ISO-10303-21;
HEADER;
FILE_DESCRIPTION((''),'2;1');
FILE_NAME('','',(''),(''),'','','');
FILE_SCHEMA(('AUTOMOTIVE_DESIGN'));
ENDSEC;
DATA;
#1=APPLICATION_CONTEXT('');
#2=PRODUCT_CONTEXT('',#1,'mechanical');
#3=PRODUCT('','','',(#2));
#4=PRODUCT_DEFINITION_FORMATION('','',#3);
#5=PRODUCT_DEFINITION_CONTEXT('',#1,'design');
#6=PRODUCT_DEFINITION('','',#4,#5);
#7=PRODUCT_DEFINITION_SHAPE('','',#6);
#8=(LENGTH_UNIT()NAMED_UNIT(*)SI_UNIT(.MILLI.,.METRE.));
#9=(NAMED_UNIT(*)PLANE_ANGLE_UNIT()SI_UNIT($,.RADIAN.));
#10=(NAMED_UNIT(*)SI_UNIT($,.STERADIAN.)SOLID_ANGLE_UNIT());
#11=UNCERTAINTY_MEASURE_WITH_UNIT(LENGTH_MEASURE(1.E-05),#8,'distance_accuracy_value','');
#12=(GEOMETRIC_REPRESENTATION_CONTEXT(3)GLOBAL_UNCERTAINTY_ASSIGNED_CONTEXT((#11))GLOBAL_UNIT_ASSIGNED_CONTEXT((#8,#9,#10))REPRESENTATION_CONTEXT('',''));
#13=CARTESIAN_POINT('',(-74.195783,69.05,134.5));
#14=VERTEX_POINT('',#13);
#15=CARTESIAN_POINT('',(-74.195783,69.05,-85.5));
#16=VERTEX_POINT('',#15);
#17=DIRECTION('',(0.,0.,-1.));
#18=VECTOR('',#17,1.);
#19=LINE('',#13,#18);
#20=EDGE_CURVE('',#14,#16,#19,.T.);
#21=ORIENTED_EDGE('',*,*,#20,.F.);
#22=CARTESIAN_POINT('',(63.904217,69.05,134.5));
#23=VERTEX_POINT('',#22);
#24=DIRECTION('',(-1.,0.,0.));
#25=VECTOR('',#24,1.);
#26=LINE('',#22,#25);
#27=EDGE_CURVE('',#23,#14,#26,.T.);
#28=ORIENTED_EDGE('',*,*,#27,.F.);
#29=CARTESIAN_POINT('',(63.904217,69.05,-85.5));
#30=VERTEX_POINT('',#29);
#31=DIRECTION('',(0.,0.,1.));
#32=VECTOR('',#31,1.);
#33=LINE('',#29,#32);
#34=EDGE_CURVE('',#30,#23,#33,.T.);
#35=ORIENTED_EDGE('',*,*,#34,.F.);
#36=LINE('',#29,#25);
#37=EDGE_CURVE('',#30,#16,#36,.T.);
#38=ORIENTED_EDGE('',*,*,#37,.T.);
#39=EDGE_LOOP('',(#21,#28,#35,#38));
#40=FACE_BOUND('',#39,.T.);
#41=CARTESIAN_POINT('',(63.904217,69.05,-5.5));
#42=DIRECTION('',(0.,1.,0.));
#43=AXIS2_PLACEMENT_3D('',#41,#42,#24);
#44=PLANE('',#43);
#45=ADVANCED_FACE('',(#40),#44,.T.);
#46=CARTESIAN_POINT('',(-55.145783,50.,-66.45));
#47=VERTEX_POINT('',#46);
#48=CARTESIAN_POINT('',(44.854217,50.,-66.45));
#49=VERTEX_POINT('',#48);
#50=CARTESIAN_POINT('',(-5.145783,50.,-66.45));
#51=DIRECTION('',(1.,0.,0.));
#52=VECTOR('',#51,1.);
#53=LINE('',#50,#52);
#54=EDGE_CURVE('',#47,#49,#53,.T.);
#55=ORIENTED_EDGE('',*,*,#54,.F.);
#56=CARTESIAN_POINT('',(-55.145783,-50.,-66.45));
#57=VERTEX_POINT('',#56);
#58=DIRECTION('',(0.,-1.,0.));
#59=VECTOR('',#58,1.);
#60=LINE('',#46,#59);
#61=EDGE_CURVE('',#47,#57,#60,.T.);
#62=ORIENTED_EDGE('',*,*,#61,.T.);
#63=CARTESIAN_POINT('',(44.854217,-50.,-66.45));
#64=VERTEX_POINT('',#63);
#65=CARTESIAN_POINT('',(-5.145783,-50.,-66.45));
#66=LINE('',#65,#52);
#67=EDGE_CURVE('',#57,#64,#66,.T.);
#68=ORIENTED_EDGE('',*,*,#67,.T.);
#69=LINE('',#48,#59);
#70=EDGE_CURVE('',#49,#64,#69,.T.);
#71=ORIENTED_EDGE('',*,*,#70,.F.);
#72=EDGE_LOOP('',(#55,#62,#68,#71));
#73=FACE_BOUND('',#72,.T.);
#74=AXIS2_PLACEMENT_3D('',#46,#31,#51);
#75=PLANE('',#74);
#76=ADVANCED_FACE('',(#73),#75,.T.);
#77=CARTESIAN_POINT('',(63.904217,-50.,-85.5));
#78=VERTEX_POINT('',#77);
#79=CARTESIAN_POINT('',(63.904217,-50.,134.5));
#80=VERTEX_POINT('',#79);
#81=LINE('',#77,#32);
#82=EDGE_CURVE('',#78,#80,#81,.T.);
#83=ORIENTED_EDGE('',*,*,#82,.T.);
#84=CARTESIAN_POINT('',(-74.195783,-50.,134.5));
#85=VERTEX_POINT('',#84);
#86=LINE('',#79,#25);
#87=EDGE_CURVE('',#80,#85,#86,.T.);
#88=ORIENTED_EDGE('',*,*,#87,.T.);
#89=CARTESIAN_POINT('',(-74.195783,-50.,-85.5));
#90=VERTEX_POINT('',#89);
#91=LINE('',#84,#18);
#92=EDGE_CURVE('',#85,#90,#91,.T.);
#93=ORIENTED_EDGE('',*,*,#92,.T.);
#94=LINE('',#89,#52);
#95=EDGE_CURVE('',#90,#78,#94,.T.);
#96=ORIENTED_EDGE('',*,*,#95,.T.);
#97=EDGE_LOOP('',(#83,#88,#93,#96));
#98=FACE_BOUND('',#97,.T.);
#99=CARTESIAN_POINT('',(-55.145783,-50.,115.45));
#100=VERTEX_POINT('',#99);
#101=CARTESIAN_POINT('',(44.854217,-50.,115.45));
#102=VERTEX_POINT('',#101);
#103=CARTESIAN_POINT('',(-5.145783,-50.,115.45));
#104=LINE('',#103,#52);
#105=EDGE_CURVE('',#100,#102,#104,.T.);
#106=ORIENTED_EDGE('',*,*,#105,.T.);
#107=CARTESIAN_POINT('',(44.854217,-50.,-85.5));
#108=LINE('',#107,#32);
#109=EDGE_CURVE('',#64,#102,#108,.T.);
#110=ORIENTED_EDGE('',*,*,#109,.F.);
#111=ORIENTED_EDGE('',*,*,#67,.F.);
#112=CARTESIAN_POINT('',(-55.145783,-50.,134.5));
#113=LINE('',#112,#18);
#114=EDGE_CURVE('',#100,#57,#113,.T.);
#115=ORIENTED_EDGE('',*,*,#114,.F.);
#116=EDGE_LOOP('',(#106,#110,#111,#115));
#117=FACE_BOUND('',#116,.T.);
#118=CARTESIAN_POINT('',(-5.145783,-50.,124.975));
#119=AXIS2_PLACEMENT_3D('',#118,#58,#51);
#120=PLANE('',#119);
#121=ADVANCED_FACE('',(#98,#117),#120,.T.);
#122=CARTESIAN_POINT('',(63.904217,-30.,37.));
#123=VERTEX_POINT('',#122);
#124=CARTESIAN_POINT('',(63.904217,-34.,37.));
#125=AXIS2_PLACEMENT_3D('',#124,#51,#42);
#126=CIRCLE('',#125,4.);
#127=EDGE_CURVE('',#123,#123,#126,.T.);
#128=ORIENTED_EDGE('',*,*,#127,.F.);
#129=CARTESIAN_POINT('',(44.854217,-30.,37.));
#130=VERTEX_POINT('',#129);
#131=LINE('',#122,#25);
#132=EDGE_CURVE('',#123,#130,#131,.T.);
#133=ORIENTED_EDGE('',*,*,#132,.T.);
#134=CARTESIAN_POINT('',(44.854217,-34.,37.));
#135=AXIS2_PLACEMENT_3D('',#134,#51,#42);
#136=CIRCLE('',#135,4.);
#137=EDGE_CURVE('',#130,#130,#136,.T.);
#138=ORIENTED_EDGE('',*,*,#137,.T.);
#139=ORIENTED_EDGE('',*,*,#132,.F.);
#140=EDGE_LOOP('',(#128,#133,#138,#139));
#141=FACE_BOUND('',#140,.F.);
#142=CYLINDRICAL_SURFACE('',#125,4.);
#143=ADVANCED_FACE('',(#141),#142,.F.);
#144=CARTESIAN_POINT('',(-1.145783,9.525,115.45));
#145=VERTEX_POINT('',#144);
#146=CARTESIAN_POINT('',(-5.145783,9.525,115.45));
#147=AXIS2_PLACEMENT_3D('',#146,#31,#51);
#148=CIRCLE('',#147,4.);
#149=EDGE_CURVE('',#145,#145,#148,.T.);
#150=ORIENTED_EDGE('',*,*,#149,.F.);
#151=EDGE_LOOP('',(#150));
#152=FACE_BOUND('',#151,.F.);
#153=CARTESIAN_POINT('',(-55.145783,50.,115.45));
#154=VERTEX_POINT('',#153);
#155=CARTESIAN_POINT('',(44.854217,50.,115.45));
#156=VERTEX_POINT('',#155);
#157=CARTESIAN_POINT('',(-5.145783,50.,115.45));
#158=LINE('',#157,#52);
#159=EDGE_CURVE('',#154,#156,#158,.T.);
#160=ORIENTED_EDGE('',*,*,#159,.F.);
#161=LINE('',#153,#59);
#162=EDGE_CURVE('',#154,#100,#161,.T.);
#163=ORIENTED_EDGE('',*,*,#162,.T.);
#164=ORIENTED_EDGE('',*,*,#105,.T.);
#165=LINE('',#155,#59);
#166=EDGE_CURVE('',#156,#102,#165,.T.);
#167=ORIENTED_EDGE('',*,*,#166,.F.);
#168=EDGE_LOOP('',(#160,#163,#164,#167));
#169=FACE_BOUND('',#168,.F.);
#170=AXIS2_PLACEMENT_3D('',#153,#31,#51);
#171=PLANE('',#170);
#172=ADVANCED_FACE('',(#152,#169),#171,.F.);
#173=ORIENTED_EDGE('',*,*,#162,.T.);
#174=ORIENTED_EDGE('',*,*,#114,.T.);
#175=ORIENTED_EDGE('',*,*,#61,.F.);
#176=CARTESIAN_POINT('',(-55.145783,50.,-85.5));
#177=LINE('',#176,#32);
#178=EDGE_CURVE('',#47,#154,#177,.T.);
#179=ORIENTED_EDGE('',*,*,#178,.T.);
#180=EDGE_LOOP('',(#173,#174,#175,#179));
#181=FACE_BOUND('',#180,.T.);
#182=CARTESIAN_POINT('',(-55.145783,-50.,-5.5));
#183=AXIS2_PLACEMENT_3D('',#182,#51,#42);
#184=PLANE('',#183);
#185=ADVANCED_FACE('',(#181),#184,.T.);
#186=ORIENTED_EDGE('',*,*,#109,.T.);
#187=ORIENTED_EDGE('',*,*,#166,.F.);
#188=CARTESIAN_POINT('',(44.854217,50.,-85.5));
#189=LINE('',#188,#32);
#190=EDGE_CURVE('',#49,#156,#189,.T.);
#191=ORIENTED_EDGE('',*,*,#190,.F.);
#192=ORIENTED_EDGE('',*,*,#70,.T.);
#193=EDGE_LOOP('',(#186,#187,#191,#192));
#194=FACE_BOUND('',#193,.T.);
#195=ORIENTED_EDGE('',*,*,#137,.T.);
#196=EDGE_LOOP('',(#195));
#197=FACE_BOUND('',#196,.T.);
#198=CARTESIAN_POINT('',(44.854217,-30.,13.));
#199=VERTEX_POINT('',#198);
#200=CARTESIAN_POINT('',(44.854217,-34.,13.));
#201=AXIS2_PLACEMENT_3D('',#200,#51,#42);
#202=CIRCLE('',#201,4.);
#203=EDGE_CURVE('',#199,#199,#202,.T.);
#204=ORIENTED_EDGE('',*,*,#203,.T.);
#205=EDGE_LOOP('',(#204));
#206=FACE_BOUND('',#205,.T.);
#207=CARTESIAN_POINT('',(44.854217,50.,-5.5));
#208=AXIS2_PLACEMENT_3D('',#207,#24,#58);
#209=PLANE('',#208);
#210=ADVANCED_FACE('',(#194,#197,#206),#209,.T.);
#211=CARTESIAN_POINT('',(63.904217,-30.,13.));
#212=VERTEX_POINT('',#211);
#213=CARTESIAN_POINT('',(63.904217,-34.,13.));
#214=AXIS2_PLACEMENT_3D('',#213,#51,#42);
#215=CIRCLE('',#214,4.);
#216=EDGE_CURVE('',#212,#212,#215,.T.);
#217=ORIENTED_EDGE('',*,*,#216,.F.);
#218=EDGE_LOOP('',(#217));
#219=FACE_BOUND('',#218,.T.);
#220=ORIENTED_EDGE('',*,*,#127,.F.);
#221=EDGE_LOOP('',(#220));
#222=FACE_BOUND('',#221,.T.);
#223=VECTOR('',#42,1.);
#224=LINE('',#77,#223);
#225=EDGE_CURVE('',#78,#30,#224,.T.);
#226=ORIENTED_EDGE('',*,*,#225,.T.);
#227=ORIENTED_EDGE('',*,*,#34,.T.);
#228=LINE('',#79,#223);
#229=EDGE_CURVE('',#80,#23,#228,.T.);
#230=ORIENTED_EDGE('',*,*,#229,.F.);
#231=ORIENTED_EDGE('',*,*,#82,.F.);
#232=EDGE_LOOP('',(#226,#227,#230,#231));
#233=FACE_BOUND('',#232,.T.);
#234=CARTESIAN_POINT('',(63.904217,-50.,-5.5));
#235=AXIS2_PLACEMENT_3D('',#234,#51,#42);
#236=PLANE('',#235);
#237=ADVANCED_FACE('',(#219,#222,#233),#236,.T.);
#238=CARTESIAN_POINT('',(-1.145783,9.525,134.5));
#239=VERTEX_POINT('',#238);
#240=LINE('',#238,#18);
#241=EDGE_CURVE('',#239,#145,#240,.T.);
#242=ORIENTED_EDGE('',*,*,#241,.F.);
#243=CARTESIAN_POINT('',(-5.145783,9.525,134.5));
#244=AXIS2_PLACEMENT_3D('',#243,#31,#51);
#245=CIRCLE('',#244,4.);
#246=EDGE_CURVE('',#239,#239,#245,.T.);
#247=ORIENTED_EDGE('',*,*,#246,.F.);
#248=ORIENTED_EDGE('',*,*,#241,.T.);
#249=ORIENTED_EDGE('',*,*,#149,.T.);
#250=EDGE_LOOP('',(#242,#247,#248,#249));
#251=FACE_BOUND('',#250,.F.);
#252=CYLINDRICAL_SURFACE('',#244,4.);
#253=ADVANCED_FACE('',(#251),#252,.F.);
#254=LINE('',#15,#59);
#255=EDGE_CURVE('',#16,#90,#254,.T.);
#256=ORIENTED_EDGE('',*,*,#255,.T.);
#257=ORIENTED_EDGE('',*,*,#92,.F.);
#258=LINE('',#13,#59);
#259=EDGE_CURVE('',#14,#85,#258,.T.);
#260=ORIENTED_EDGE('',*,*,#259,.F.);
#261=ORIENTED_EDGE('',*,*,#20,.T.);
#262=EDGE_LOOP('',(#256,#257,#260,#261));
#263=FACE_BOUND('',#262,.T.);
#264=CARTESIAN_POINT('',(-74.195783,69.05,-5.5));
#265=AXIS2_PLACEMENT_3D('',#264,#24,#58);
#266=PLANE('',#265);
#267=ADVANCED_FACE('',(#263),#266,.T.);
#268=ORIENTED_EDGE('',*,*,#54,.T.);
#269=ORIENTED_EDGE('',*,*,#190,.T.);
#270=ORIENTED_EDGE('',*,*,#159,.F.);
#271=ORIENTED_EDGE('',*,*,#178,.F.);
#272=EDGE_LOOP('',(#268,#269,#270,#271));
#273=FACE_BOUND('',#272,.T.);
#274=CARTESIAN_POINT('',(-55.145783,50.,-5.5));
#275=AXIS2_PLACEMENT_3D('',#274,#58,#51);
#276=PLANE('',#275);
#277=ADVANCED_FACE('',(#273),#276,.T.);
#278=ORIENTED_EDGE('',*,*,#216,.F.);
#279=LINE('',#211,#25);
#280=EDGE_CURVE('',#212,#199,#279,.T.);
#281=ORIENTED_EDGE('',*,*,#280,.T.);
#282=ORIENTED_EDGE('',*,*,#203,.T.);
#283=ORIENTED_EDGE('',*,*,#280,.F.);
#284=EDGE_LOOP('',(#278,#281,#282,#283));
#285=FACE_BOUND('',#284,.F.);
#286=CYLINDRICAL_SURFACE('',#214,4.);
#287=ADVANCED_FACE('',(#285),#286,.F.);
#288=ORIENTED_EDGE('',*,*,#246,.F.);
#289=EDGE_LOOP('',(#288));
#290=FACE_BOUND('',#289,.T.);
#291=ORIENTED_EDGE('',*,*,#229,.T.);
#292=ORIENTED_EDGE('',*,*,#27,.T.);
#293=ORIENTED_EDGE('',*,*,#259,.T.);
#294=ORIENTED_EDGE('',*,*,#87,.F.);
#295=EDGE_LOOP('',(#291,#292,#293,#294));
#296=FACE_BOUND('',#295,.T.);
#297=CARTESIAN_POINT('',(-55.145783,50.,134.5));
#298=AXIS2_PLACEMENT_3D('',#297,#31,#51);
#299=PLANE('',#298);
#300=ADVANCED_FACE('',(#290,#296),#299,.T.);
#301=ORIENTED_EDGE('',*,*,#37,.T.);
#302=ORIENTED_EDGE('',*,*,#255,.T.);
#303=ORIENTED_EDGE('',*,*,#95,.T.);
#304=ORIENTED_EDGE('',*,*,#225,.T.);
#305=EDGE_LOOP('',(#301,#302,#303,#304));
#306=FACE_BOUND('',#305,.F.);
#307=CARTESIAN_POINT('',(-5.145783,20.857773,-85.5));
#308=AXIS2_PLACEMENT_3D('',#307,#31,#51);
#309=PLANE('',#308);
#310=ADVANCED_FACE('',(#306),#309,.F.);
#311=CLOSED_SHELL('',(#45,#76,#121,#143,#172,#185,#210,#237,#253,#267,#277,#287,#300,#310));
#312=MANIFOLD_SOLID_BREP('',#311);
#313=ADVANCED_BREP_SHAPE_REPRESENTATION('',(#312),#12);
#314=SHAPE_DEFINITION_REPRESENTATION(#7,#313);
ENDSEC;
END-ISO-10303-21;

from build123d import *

# Parameters (mm, degrees)
F2_DEPTH      = 140
F2_DEPTH_BACK = 80
F3_W          = 100
F3_H          = 19.05
F4_DEPTH      = 100
F5_R          = 4
F6_DEPTH      = 19.05
F7_R          = 4
F8_DEPTH      = 20


with BuildPart() as f2:
    # F1 (on offset) → F2 (new body, two sides)
    with BuildSketch(Plane.XY.offset(-5.5)) as f2_sk:
        Polygon((-55.145783, -50), (-55.145783, 50), (44.854217, 50), (44.854217, -50), (63.904217, -50), (63.904217, 69.05), (-74.195783, 69.05), (-74.195783, -50), align=None)
    extrude(amount=F2_DEPTH)
    extrude(f2_sk.sketch, amount=-F2_DEPTH_BACK)

    # F3 (on face) → F4 (join)
    with BuildSketch(Plane.XZ.offset(-50)):
        with Locations((-5.145783, 124.975)):
            Rectangle(F3_W, F3_H)
        with Locations((-5.145783, -75.975)):
            Rectangle(F3_W, F3_H)
    extrude(amount=F4_DEPTH)

    # F5 (on face) → F6 (cut)
    with BuildSketch(Plane.XY.offset(134.5)):
        with Locations((-5.145783, 9.525)):
            Circle(F5_R)
    extrude(amount=-F6_DEPTH, mode=Mode.SUBTRACT)

    # F7 (on face) → F8 (cut)
    with BuildSketch(Plane.YZ.offset(63.904217)):
        with Locations((-34, 13)):
            Circle(F7_R)
        with Locations((-34, 37)):
            Circle(F7_R)
    extrude(amount=-F8_DEPTH, mode=Mode.SUBTRACT)


solid = f2.part
